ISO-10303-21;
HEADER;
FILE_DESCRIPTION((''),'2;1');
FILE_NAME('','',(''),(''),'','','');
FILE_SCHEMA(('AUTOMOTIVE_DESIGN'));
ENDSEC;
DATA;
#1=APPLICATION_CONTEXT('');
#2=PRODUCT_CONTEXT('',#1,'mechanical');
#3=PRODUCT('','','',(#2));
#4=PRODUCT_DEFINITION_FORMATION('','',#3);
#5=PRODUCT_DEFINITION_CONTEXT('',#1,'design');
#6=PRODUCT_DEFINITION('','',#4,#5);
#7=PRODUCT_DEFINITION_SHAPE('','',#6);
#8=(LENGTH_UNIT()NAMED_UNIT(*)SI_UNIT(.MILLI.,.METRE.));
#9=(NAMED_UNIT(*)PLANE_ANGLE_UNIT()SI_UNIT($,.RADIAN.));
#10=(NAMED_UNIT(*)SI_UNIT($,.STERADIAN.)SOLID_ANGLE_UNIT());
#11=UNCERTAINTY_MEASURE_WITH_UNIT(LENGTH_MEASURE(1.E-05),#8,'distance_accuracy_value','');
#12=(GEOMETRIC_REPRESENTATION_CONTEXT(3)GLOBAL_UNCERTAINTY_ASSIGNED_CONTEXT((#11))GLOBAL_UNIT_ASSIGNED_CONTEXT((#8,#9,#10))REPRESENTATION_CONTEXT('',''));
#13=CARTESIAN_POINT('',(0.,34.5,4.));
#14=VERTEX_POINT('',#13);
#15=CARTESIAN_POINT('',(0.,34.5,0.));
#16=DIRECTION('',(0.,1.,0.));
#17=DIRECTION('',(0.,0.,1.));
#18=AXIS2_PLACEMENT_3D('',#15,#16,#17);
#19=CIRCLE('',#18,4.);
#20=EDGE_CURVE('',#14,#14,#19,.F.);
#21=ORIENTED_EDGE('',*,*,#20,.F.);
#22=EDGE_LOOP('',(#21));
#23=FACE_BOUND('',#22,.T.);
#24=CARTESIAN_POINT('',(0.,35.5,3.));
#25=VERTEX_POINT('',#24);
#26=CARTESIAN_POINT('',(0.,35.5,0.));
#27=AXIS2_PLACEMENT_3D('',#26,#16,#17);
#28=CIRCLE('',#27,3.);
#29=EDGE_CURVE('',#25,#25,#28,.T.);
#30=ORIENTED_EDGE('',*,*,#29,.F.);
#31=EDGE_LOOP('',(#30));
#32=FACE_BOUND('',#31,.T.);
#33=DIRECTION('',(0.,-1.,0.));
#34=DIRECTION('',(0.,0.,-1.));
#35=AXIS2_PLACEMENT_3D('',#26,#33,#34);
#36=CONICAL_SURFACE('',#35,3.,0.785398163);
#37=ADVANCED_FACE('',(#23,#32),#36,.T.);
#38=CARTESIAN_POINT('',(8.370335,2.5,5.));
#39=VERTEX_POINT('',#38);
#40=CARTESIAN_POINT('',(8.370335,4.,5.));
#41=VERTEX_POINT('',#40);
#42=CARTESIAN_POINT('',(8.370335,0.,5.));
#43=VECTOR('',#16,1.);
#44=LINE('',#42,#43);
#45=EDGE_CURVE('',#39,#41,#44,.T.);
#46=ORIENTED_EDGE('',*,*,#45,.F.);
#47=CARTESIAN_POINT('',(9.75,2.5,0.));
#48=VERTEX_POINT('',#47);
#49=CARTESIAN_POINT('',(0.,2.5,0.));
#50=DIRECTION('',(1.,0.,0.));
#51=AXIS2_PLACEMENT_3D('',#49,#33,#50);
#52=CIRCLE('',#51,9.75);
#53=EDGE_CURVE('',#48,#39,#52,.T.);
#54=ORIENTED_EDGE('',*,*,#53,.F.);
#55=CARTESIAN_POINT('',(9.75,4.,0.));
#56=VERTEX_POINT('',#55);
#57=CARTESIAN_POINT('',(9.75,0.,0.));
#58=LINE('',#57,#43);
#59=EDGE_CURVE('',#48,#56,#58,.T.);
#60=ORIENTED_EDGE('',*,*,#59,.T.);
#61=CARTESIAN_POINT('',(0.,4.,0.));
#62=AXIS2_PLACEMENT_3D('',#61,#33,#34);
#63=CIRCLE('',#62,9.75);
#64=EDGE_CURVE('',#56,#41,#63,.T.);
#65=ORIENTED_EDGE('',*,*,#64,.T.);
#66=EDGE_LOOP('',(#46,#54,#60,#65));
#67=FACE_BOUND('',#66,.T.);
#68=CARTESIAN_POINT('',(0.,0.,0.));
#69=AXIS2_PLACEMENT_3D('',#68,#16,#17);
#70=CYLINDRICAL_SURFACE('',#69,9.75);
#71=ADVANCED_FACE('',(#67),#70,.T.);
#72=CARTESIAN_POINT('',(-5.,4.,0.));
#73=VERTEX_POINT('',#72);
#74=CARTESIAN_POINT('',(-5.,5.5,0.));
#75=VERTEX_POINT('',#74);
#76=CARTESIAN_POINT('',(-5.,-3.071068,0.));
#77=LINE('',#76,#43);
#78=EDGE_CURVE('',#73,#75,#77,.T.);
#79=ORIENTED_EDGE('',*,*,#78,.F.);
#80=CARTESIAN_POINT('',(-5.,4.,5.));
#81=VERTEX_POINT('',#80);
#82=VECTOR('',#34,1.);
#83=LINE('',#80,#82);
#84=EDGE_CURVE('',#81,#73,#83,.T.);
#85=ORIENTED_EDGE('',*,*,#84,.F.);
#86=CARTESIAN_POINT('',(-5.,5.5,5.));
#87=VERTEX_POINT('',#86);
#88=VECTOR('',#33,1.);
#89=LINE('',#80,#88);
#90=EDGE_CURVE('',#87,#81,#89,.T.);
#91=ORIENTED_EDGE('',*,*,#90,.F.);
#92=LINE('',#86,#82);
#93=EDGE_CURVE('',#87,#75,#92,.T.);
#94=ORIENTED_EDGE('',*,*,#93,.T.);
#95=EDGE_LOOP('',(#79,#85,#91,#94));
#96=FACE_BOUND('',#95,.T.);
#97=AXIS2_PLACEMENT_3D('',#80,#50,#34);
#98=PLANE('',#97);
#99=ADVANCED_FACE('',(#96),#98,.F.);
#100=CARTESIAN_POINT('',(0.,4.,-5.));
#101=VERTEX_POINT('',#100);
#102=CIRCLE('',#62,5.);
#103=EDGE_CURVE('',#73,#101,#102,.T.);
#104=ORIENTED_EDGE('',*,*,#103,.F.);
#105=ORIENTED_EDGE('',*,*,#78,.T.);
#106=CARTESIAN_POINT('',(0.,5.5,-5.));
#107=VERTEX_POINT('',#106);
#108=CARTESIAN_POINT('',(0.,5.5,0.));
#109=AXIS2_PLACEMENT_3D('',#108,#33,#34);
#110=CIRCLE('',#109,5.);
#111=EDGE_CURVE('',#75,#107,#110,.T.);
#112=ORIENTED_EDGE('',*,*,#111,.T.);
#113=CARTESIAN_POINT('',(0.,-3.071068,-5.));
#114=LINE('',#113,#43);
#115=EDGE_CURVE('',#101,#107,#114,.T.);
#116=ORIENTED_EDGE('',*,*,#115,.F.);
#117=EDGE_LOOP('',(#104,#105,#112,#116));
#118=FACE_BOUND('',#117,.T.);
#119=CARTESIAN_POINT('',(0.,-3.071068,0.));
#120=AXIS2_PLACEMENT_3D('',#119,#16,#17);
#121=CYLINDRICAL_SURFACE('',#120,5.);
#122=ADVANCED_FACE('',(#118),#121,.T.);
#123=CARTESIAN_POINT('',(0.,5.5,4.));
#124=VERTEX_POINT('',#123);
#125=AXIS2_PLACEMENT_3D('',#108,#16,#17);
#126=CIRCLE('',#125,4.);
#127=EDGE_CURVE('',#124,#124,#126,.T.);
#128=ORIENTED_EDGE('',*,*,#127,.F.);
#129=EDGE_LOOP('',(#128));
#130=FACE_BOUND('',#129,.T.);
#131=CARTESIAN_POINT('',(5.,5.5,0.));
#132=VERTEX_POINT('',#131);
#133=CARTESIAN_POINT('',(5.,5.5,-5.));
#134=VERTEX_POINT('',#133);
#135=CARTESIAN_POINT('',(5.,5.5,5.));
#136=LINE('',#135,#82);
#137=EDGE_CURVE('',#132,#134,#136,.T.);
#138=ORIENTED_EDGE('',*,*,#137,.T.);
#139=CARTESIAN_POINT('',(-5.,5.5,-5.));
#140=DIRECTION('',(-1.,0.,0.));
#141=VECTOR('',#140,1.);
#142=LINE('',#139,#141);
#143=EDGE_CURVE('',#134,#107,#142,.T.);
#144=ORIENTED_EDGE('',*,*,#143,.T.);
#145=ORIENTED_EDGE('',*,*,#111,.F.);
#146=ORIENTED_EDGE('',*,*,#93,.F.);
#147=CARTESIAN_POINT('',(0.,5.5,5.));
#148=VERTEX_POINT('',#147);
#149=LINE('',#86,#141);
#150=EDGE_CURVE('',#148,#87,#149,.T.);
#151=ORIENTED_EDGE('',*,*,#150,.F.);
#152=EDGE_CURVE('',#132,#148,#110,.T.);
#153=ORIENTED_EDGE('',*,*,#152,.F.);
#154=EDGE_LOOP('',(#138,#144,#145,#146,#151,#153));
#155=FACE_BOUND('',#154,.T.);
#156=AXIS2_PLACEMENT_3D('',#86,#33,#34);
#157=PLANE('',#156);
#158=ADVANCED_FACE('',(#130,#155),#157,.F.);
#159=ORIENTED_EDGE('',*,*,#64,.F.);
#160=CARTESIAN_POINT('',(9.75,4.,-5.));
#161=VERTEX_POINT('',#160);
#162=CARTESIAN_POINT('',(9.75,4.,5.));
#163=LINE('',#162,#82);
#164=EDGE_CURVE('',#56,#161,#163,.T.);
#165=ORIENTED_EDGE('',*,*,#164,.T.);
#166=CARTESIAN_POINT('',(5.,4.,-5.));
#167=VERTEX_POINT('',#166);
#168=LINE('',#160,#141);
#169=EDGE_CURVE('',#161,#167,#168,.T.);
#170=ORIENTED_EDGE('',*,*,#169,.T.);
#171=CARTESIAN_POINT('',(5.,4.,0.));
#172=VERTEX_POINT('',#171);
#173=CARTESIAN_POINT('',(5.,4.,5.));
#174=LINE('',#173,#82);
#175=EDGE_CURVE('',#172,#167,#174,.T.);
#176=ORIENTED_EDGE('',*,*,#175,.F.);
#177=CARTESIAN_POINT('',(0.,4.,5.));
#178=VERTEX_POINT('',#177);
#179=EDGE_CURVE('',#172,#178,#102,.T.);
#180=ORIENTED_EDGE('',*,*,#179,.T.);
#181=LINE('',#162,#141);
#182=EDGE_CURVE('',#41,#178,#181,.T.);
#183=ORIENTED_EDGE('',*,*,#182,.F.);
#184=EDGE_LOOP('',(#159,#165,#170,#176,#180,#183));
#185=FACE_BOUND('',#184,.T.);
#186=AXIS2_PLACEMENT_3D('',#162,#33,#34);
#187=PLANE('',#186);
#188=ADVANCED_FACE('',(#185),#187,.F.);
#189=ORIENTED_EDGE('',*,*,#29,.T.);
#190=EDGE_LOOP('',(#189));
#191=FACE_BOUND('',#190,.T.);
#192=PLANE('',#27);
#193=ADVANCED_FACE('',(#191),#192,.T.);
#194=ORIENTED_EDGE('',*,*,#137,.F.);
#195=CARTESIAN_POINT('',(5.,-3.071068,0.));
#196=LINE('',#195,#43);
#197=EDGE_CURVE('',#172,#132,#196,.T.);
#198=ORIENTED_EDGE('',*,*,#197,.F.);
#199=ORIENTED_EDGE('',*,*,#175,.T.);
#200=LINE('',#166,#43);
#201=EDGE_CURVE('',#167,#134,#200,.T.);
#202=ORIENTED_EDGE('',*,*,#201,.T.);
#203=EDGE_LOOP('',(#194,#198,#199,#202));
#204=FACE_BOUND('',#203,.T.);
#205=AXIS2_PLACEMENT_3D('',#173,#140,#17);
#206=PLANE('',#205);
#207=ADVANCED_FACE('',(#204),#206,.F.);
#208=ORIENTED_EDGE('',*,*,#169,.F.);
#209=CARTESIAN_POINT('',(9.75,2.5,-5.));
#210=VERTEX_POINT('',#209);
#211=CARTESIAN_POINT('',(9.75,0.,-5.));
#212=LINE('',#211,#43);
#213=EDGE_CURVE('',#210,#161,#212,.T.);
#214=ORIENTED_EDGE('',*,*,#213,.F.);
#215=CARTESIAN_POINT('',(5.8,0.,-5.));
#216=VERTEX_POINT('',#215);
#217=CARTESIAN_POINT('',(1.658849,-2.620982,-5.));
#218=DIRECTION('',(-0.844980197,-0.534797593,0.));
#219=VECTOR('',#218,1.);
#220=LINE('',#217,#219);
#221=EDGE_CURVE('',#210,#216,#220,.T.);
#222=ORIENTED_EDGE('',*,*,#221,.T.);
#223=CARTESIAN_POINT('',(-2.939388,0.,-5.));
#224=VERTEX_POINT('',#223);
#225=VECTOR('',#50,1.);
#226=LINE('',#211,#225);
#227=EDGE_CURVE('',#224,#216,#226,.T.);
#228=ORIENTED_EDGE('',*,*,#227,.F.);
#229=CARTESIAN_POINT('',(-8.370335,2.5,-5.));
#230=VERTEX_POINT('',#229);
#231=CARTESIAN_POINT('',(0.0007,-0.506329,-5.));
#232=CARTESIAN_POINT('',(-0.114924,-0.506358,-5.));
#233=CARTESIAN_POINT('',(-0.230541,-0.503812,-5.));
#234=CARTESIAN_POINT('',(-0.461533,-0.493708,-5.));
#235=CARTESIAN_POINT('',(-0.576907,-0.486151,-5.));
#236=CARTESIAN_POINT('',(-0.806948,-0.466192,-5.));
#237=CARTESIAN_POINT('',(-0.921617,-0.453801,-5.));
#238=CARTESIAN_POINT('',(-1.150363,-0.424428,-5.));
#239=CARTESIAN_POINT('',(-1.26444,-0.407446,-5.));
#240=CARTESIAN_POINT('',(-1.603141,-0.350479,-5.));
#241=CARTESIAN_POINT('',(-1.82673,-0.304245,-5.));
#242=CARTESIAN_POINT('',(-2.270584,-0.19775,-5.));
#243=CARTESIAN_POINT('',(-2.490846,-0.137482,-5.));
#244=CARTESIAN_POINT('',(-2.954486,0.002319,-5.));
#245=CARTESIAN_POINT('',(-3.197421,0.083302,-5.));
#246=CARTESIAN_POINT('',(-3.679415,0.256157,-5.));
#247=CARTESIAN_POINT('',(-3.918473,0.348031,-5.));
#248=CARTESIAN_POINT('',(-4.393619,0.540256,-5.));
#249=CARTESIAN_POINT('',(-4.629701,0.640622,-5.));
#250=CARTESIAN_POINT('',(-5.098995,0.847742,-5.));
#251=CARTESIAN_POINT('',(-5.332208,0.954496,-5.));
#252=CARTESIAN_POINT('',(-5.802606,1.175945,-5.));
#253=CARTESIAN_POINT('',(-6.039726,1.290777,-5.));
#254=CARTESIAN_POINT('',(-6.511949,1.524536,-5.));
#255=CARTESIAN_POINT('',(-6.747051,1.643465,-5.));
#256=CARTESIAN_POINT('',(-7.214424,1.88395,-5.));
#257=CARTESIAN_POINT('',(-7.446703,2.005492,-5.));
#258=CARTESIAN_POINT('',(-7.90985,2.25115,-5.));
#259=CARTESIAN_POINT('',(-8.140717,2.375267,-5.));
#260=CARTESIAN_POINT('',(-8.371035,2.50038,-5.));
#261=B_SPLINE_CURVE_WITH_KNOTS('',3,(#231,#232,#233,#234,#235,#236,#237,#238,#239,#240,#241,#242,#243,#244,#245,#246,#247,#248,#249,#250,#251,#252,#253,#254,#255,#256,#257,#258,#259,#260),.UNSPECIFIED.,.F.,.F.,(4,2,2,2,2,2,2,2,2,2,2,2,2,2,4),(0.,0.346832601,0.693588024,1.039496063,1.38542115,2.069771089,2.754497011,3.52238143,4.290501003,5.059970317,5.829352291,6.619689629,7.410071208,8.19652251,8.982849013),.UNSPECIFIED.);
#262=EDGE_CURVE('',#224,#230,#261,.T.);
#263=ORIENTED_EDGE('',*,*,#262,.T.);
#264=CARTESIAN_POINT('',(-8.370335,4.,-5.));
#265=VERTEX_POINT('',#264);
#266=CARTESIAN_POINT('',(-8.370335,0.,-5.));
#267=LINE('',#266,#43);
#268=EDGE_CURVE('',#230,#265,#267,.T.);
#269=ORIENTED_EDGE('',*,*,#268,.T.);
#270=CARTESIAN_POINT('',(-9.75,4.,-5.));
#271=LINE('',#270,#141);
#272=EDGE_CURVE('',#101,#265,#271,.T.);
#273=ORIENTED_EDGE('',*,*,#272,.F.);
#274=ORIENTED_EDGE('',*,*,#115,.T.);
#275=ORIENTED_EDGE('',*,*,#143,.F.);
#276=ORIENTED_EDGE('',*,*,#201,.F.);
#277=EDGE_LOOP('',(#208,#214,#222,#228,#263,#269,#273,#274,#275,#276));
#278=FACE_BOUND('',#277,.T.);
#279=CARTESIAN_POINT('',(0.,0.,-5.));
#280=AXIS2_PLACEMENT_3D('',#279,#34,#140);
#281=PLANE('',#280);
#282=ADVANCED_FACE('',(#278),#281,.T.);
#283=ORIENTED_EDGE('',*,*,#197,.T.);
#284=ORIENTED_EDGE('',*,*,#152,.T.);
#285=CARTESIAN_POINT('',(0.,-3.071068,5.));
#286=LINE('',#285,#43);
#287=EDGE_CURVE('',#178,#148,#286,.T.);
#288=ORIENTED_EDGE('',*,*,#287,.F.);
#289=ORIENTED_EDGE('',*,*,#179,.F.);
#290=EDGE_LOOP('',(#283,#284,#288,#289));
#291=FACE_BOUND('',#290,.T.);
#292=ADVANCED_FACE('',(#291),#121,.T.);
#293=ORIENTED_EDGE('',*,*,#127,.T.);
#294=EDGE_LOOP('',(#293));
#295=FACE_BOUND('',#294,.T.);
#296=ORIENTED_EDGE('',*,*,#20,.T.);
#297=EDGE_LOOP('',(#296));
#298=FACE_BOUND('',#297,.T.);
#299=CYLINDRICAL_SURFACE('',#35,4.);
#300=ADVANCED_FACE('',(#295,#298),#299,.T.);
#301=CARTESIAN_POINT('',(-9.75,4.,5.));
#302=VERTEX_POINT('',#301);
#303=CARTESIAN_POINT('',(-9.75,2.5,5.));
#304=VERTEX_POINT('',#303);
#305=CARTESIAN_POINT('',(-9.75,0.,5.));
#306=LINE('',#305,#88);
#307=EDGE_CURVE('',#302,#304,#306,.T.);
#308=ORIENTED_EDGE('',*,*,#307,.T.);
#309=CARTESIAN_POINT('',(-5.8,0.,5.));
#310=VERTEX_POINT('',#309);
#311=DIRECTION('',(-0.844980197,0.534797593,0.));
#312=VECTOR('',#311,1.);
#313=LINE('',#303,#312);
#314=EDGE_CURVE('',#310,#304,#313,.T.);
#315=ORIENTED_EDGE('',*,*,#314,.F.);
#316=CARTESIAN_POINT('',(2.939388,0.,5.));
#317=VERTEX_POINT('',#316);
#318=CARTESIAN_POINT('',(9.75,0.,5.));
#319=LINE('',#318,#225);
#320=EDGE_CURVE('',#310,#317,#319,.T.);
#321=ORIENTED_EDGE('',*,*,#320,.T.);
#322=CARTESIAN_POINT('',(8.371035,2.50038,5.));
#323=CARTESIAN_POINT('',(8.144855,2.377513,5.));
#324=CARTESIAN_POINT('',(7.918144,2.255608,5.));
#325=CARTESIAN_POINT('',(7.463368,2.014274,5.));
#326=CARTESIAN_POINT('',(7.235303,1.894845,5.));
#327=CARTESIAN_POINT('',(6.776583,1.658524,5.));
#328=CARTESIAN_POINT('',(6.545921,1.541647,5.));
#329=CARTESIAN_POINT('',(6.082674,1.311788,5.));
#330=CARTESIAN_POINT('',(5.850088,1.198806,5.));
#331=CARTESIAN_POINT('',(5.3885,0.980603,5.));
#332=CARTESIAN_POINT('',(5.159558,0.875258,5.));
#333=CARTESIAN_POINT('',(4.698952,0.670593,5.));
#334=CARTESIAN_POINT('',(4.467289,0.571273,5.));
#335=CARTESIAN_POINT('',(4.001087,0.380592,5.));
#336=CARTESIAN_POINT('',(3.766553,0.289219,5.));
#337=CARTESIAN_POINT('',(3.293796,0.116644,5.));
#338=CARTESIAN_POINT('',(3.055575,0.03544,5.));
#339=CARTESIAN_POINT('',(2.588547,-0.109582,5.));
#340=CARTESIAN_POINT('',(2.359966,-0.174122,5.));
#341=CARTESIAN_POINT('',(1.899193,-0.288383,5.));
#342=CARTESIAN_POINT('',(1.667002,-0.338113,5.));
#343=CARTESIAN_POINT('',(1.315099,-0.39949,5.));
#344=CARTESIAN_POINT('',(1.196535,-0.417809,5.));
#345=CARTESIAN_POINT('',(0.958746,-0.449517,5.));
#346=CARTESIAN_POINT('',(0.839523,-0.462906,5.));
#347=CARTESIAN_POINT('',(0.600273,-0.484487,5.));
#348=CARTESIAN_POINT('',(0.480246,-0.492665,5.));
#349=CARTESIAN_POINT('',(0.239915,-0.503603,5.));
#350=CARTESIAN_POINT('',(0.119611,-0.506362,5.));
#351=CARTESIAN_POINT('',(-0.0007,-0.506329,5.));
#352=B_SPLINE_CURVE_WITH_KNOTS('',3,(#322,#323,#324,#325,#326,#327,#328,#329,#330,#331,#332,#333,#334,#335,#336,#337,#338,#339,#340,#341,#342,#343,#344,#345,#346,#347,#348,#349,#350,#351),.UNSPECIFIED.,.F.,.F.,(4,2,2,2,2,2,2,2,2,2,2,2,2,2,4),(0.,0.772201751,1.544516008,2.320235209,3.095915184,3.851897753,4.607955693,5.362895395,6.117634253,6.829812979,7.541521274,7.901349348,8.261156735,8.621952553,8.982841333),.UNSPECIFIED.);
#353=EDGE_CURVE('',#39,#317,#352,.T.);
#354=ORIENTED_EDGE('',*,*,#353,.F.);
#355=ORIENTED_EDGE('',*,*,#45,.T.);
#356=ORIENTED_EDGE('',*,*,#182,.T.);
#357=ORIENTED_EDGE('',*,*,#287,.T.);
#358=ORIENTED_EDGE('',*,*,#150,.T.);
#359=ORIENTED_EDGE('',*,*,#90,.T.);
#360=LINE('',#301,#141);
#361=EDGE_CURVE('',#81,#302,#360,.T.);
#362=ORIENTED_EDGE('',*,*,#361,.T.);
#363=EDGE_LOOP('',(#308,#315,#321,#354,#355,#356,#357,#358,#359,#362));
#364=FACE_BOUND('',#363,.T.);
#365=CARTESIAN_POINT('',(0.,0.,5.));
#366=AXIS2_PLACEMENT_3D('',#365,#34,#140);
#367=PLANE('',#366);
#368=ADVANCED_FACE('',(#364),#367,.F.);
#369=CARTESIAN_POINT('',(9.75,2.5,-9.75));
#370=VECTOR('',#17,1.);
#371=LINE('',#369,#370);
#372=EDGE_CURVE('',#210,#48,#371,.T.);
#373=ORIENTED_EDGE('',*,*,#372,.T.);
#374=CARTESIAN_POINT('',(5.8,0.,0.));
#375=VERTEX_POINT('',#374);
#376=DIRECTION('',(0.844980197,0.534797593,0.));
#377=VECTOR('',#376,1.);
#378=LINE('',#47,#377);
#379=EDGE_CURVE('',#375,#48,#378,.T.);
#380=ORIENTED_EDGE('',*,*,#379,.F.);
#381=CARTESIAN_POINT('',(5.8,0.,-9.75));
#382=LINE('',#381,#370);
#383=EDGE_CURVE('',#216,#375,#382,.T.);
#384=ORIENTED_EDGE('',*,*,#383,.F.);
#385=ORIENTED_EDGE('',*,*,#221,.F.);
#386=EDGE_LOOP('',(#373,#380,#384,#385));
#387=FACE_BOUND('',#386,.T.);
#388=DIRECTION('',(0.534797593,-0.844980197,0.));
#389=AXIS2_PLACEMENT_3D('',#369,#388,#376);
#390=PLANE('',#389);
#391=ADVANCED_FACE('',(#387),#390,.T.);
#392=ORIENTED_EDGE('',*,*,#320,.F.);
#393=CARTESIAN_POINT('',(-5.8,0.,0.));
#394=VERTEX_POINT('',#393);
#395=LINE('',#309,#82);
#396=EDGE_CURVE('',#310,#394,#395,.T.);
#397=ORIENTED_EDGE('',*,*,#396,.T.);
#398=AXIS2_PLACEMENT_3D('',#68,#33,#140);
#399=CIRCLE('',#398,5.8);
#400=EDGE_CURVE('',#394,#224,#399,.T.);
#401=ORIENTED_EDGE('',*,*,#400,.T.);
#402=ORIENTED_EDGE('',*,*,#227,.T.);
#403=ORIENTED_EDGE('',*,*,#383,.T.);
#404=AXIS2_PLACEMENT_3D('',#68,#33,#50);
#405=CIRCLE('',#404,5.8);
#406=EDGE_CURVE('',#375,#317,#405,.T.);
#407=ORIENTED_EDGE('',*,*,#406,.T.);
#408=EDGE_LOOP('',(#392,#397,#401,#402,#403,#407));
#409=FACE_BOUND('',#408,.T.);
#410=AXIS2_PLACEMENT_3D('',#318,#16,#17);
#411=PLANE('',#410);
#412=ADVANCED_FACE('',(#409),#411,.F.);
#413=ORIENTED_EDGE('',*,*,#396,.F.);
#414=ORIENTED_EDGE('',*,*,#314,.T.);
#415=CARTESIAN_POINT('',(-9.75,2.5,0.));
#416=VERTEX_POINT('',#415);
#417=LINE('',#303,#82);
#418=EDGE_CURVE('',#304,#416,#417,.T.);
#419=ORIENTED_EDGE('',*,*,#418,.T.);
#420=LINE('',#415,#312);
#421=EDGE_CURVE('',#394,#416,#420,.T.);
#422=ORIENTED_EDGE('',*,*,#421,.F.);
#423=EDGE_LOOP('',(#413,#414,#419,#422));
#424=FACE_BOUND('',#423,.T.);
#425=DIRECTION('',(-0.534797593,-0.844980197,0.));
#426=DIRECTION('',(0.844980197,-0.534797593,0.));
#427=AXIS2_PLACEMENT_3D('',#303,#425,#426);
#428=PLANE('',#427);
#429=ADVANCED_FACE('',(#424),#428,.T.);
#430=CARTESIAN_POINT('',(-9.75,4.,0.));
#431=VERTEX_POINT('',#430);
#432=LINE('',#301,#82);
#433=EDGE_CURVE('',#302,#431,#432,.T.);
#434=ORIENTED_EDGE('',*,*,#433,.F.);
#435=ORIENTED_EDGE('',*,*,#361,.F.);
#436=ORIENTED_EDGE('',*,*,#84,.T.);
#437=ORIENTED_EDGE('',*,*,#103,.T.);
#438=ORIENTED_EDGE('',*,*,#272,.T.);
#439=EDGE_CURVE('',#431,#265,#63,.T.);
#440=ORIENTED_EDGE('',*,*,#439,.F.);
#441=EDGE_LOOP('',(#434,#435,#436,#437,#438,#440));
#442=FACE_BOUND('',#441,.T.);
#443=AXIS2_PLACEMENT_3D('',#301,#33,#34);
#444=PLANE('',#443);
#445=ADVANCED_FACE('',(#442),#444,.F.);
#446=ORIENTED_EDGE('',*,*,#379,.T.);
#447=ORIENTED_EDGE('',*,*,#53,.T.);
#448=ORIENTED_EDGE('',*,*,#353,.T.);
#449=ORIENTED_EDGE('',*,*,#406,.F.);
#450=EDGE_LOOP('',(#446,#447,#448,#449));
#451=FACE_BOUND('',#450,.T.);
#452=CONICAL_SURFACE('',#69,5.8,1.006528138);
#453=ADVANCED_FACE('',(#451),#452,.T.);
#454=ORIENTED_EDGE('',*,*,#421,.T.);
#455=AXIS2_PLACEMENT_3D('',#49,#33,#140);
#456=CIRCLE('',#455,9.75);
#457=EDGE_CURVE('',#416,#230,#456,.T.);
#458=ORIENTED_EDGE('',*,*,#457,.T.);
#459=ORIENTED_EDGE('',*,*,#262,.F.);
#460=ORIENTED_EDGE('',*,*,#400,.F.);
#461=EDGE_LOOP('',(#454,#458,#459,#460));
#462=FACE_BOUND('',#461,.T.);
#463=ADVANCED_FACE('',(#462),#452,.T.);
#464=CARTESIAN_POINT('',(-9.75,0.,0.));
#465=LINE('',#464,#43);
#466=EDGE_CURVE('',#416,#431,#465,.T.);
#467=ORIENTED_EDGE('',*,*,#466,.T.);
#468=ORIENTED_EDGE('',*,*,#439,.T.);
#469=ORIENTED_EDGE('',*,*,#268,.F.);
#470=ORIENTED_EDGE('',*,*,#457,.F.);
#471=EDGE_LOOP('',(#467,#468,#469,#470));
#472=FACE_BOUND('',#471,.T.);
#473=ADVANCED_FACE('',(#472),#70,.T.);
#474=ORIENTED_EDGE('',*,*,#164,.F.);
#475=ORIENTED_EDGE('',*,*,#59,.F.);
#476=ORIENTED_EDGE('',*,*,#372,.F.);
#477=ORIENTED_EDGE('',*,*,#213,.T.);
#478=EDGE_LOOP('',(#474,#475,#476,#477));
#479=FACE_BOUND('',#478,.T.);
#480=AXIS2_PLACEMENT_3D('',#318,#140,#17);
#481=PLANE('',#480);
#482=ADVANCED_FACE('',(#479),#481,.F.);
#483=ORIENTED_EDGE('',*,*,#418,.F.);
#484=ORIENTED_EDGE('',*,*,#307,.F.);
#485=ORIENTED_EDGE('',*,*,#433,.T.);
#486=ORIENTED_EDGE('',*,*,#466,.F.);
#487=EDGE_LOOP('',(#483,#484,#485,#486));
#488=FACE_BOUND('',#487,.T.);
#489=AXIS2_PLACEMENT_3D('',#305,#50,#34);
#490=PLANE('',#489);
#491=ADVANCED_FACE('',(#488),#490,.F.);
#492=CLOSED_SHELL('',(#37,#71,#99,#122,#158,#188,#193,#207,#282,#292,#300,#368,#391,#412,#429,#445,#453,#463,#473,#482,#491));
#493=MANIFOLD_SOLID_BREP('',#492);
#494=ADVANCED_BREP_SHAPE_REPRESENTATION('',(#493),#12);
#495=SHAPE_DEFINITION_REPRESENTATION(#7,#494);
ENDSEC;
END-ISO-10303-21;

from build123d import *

# Parameters (mm, degrees)
EXTRUDE_1_DEPTH     = 5
CUT_EXTRUDE_1_DEPTH = 1.5
SKETCH_2_R          = 4
EXTRUDE_2_DEPTH     = 30
CUT_EXTRUDE_2_DEPTH = 5
CHAMFER_2_SIZE      = 1


with BuildPart() as part:
    # Эскиз1 → Бобышка-Вытянуть1 (new body, symmetric)
    with BuildSketch(Plane.XY):
        Polygon((9.75, 0), (-9.75, 0), (-9.75, 4), (-5, 4), (-5, 5.5), (5, 5.5), (5, 4), (9.75, 4), align=None)
    extrude(amount=EXTRUDE_1_DEPTH, both=True)

    # Эскиз3 → Вырез-Вытянуть1 (cut)
    with BuildSketch(Plane(origin=(0, 5.5, 0), x_dir=(1, 0, 0), z_dir=(0, 1, 0))):
        with BuildLine():
            Line((-5, 0), (-5, 5))
            Line((-5, 5), (0, 5))
            ThreePointArc((0, 5), (-3.535533906, 3.535533906), (-5, 0))
        make_face()
        with BuildLine():
            Line((0, -5), (5, -5))
            Line((5, -5), (5, 0))
            ThreePointArc((5, 0), (3.535533906, -3.535533906), (0, -5))
        make_face()
    extrude(amount=-CUT_EXTRUDE_1_DEPTH, mode=Mode.SUBTRACT)

    # Эскиз2 → Бобышка-Вытянуть2 (add)
    with BuildSketch(Plane(origin=(0, 5.5, 0), x_dir=(1, 0, 0), z_dir=(0, 1, 0))):
        with Locations(Location((0, 0, 0), (0, 0, 270))):  # turned: the seam where the file's is
            Circle(SKETCH_2_R)
    extrude(amount=EXTRUDE_2_DEPTH)

    # Эскиз4 → Вырез-Вытянуть2 (cut, through all)
    with BuildSketch(Plane(origin=(0, 4, 0), x_dir=(1, 0, 0), z_dir=(0, 1, 0))):
        with BuildLine():
            Line((-8.370334521, 5), (-9.75, 5))
            Line((-9.75, 5), (-9.75, 0))
            ThreePointArc((-9.75, 0), (-9.398756875, 2.59342808), (-8.370334521, 5))
        make_face()
        with BuildLine():
            Line((8.370334521, -5), (9.75, -5))
            Line((9.75, -5), (9.75, 0))
            ThreePointArc((9.75, 0), (9.398756875, -2.59342808), (8.370334521, -5))
        make_face()
    extrude(amount=-CUT_EXTRUDE_2_DEPTH, mode=Mode.SUBTRACT)

    # Вырез-По траектории1: sweep along a path in Эскиз6
    with BuildLine(Plane.XZ) as sweep_1_path:
        Line((0, -9.75), (9.75, -9.75))
        Line((9.75, -9.75), (9.75, 0))
        ThreePointArc((9.75, 0), (6.894291117, 6.894291117), (0, 9.75))
        Line((0, 9.75), (-9.75, 9.75))
        Line((-9.75, 9.75), (-9.75, 0))
        ThreePointArc((-9.75, 0), (-6.894291117, -6.894291117), (0, -9.75))
    # Эскиз5 → Вырез-По траектории1 (sweep, cut)
    with BuildSketch(Plane.XY.offset(5)):
        Polygon((-9.75, 2.5), (-5.8, 0), (-9.75, 0), align=None)
    sweep(path=sweep_1_path.line, transition=Transition.RIGHT, mode=Mode.SUBTRACT)

    # Фаска2
    chamfer_2_edges = [part.edges().sort_by_distance(p)[0] for p in [
        (0, 35.5, -4),
    ]]
    chamfer(chamfer_2_edges, length=CHAMFER_2_SIZE)


solid = part.part
